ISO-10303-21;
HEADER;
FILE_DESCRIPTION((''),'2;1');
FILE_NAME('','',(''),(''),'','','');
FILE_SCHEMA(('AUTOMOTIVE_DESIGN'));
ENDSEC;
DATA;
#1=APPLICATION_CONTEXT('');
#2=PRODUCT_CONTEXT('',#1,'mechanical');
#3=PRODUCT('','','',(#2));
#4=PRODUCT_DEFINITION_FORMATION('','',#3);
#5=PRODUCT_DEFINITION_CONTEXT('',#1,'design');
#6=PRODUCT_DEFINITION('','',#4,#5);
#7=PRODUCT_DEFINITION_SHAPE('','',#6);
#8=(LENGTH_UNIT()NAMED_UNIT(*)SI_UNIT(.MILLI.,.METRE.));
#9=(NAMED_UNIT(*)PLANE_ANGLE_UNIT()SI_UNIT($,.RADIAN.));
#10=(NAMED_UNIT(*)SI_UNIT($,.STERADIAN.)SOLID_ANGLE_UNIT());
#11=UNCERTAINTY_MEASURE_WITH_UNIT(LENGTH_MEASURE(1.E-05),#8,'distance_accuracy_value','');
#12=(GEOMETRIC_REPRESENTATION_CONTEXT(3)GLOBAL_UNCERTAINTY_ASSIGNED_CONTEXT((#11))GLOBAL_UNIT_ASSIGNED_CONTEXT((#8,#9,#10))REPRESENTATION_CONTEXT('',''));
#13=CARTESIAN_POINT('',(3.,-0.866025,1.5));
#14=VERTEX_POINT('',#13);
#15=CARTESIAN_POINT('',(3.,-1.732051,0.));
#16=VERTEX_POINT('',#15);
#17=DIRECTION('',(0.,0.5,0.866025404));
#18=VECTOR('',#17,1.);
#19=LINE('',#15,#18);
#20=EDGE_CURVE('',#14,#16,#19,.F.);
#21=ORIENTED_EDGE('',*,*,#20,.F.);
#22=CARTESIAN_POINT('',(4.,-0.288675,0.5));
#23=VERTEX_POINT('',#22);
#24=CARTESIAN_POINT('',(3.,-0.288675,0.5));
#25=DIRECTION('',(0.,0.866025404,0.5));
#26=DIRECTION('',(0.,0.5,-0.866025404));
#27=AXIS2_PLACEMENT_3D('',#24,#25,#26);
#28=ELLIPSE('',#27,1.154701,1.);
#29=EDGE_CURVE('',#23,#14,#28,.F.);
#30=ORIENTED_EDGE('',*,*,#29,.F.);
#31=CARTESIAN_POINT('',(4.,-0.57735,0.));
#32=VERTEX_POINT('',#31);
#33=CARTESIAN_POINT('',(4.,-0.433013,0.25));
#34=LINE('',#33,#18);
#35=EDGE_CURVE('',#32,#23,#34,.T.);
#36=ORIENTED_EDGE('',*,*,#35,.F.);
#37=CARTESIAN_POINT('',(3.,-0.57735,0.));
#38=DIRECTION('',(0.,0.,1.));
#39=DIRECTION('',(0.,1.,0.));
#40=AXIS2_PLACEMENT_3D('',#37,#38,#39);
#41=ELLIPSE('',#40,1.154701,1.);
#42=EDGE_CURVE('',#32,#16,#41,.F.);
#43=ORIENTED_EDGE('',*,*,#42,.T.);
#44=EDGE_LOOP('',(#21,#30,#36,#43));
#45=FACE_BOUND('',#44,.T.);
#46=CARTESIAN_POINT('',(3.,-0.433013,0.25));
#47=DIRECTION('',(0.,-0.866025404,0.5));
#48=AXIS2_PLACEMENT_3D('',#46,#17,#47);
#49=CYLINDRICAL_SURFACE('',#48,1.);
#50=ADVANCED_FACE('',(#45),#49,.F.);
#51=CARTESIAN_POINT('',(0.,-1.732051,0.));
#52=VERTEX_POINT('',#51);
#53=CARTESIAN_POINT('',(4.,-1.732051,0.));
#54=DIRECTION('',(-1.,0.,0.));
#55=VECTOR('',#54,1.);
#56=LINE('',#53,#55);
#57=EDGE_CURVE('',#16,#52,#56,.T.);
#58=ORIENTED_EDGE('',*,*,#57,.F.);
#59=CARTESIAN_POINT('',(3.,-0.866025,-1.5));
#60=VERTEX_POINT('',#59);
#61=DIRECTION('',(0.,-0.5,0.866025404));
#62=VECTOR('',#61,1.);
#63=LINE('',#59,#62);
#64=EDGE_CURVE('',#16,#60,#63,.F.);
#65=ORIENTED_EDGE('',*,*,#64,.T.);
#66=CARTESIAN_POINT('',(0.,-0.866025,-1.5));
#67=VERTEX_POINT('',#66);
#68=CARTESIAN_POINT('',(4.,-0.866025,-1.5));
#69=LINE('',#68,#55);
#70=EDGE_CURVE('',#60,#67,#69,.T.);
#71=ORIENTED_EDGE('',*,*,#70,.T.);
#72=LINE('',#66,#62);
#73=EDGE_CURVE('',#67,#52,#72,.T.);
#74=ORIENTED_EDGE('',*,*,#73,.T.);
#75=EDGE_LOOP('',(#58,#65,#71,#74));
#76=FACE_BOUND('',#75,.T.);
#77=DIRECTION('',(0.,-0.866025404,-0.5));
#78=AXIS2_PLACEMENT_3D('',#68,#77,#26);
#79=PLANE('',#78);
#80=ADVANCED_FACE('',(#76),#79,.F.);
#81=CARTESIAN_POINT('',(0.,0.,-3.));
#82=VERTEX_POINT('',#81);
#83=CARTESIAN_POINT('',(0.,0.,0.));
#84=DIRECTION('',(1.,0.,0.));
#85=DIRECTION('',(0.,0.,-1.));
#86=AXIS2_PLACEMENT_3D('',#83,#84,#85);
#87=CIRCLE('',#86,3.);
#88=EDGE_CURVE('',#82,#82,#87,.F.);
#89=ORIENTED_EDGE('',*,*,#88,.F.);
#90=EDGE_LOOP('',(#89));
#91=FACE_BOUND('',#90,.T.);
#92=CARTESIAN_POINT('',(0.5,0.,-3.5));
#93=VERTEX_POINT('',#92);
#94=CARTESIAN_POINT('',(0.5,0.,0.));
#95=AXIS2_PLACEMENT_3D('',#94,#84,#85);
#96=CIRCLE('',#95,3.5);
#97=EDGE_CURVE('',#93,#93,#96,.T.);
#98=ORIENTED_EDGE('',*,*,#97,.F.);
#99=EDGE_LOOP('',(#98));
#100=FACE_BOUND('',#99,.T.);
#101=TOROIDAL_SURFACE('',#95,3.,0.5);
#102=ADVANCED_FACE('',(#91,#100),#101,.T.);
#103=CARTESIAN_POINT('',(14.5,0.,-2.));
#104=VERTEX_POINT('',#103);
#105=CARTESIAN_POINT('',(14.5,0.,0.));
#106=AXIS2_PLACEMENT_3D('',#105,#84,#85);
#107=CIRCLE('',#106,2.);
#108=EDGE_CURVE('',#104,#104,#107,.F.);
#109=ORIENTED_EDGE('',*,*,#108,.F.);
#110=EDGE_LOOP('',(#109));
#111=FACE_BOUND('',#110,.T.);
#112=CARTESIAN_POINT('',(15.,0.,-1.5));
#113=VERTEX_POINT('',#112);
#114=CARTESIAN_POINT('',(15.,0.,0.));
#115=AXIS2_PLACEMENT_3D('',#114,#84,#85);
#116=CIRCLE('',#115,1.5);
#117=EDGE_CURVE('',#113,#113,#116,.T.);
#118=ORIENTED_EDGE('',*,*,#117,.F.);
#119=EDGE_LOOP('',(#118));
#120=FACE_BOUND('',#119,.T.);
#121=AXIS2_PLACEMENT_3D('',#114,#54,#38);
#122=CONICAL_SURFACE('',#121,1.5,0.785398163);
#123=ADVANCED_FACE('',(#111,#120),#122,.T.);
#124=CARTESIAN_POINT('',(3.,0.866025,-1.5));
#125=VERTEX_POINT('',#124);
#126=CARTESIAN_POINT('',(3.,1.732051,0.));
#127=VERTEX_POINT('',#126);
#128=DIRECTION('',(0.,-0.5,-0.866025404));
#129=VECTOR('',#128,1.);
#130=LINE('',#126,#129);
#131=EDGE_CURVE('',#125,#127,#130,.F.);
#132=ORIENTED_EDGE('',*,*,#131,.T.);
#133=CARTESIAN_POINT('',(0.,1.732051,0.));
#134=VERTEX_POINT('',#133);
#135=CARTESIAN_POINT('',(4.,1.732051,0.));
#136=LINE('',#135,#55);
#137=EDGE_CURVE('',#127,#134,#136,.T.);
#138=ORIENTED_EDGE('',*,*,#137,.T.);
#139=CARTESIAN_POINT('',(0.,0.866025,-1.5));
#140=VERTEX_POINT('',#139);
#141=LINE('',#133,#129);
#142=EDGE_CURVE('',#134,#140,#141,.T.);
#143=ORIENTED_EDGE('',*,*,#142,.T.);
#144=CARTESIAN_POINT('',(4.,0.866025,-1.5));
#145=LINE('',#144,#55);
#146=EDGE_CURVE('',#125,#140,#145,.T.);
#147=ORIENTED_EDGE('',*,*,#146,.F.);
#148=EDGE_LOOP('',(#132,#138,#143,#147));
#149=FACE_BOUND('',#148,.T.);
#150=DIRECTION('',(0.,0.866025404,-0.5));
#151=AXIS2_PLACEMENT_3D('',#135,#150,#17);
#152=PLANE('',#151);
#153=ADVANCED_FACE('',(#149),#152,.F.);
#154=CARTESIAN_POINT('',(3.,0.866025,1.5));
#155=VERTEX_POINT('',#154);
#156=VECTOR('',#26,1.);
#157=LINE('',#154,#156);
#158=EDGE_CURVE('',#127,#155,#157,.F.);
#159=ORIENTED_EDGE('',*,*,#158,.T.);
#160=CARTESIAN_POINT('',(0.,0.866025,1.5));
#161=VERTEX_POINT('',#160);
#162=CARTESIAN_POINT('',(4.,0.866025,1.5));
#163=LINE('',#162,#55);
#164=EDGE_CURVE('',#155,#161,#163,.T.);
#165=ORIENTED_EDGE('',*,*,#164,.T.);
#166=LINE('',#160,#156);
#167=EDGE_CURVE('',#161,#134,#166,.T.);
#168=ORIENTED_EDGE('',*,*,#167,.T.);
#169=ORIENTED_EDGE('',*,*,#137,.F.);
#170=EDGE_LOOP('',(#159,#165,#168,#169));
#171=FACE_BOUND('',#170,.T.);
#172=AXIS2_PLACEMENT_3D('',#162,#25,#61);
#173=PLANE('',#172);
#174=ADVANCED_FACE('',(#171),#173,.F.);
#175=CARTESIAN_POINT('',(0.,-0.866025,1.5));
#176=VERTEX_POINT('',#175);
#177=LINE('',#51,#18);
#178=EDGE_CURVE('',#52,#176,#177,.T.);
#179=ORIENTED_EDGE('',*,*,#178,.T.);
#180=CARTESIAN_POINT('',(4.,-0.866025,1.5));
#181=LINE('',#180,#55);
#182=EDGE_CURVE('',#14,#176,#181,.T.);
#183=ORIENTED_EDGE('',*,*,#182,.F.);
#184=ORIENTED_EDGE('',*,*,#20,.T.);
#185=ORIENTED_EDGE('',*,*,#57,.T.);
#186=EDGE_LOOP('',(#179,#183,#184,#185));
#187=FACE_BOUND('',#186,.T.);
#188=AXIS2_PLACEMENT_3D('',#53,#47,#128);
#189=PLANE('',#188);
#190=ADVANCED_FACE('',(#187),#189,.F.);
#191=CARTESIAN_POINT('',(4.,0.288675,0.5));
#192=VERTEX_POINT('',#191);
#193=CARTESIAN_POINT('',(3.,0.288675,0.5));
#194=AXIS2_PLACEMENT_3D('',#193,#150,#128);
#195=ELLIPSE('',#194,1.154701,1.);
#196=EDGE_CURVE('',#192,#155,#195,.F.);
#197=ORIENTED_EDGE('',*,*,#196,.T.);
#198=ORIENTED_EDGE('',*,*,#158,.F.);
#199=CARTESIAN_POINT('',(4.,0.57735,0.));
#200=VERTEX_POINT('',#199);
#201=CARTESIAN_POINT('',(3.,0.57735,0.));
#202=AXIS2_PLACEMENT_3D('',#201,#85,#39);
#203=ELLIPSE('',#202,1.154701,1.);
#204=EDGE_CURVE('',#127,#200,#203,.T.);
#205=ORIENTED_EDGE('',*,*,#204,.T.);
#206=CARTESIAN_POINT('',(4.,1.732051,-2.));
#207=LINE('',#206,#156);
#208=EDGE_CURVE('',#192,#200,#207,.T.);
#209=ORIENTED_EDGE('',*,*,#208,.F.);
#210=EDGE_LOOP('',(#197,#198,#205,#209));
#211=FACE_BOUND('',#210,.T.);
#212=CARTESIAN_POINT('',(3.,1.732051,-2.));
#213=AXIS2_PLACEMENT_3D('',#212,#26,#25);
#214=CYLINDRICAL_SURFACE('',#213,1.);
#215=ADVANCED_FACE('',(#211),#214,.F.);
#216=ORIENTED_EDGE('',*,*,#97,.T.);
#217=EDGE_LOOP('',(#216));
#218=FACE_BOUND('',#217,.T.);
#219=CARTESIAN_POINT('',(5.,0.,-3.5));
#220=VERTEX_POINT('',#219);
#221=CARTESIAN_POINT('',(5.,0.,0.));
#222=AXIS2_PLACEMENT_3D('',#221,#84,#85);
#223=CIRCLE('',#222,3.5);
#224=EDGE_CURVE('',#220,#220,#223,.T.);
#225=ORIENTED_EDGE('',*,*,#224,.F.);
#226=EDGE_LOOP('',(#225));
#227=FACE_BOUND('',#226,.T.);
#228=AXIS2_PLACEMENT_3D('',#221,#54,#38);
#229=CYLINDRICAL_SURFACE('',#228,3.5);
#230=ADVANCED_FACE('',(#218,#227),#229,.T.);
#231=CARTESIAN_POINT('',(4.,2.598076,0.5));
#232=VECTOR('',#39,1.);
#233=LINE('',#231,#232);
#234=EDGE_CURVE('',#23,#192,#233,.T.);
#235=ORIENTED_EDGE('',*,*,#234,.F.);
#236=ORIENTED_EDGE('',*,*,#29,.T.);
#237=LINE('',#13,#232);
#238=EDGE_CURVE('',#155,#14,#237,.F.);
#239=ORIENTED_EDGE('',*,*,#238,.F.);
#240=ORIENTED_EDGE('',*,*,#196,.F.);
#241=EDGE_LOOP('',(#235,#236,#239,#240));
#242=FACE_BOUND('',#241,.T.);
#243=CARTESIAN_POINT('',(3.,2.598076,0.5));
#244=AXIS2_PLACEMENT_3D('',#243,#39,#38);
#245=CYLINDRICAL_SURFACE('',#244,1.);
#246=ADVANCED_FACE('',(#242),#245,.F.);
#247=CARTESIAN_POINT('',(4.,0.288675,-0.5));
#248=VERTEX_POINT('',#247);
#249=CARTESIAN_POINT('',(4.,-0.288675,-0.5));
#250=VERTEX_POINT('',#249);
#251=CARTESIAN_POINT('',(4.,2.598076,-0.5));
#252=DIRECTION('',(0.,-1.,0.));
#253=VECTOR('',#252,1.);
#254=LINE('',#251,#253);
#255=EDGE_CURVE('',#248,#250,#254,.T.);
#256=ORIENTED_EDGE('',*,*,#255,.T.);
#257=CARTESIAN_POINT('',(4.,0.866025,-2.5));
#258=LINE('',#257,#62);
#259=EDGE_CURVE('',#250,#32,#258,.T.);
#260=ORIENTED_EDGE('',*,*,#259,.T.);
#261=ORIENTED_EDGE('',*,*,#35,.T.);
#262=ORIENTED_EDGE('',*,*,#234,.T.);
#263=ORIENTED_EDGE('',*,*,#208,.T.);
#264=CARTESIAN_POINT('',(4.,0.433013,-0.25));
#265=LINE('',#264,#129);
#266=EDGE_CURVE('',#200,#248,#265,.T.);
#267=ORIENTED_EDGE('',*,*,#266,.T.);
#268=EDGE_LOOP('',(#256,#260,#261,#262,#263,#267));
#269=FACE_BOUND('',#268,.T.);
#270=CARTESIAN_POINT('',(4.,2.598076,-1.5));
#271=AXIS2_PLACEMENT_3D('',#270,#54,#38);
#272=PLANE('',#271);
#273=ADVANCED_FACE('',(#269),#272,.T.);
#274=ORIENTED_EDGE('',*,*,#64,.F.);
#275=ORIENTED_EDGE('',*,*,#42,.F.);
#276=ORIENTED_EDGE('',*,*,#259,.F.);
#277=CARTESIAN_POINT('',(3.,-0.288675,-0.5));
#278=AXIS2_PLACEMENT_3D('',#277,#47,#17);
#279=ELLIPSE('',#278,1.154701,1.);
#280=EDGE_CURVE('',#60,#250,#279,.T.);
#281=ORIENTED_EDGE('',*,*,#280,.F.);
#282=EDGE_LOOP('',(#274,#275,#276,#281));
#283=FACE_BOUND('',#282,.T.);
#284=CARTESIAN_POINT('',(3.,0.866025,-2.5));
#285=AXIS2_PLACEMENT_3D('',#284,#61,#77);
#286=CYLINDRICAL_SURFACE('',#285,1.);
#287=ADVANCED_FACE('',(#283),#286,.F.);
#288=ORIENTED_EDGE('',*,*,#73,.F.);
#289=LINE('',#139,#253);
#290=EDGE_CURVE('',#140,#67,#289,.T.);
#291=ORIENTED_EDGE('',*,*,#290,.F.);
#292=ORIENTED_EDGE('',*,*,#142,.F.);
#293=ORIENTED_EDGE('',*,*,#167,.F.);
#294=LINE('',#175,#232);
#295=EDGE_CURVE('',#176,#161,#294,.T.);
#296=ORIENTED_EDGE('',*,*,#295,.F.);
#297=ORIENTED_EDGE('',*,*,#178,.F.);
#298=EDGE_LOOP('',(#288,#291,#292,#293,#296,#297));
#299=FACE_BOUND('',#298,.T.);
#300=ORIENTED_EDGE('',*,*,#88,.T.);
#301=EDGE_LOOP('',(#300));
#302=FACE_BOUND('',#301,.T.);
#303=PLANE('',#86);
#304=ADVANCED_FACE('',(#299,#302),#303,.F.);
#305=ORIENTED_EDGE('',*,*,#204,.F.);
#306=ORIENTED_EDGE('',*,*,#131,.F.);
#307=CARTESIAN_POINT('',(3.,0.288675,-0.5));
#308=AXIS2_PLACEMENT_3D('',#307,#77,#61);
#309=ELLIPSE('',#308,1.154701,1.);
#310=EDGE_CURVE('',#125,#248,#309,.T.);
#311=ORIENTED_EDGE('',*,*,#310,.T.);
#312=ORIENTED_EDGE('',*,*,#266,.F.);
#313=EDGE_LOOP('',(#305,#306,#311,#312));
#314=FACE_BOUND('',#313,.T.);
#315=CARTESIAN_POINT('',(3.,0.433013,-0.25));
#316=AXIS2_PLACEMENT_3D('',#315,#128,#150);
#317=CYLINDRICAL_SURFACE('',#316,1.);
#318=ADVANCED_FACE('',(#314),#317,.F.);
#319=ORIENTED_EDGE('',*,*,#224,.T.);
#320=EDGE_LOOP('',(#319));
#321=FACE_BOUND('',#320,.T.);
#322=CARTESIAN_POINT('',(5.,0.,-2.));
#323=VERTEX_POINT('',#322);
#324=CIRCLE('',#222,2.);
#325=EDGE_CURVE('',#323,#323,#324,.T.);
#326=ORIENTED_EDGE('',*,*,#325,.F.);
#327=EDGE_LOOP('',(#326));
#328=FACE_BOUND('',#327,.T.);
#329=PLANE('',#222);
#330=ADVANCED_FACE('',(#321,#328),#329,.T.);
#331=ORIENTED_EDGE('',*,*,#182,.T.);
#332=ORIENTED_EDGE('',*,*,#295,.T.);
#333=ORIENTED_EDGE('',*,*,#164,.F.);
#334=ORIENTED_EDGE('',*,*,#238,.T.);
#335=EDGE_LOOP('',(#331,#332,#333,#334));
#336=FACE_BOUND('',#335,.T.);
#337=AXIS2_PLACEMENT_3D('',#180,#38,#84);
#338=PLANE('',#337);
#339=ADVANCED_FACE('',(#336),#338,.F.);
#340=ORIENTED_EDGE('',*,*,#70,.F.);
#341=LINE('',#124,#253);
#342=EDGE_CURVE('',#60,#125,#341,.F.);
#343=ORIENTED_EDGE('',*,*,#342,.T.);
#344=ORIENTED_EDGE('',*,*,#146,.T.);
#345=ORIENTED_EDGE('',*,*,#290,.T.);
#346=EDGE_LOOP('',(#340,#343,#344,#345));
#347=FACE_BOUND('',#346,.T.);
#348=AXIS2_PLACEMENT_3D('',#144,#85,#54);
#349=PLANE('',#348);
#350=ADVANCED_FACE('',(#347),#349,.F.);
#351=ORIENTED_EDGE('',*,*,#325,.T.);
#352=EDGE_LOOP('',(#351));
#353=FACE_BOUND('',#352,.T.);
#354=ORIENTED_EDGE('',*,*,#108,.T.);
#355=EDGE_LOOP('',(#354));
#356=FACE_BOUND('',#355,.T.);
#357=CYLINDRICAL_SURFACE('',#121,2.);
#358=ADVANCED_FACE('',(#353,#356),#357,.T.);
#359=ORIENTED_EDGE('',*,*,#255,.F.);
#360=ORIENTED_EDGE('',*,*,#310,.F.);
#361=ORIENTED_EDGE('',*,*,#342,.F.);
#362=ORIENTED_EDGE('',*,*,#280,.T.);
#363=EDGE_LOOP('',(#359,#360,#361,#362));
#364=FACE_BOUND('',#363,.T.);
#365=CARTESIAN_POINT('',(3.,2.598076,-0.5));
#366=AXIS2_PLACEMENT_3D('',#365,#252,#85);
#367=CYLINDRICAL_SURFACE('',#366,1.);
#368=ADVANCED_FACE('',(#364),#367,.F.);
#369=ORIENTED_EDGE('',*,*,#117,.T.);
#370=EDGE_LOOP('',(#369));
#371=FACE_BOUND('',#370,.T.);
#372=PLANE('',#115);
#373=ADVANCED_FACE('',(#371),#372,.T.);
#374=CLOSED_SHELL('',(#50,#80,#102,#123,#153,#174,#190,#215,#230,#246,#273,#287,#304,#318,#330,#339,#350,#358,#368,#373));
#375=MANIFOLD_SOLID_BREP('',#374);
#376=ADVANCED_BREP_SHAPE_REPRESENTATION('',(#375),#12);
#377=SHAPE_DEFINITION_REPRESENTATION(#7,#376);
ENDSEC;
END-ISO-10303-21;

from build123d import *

# Parameters (mm, degrees)
SKETCH_1_R          = 3.5
EXTRUDE_1_DEPTH     = 5
SKETCH_2_R          = 2
EXTRUDE_2_DEPTH     = 10
CHAMFER_1_SIZE      = 0.5
CUT_EXTRUDE_1_DEPTH = 4
FILLET_1_R          = 1
FILLET_2_R          = 0.5


with BuildPart() as part:
    # Эскиз1 → Вытянуть1 (new body)
    with BuildSketch(Plane(origin=(0, 0, 0), x_dir=(0, 0, -1), z_dir=(1, 0, 0))):
        Circle(SKETCH_1_R)
    extrude(amount=EXTRUDE_1_DEPTH)

    # Эскиз2 → Вытянуть2 (add)
    with BuildSketch(Plane(origin=(5, 0, 0), x_dir=(0, 0, -1), z_dir=(1, 0, 0))):
        Circle(SKETCH_2_R)
    extrude(amount=EXTRUDE_2_DEPTH)

    # Фаска1
    chamfer_1_edges = [part.edges().sort_by_distance(p)[0] for p in [
        (15, 0, 2),
    ]]
    chamfer(chamfer_1_edges, length=CHAMFER_1_SIZE)

    # Эскиз3 → Вырез-Вытянуть1 (cut)
    with BuildSketch(Plane.ZY):
        Polygon((0, 1.732050808), (-1.5, 0.866025404), (-1.5, -0.866025404), (0, -1.732050808), (1.5, -0.866025404), (1.5, 0.866025404), align=None)
    extrude(amount=-CUT_EXTRUDE_1_DEPTH, mode=Mode.SUBTRACT)

    # Скругление1
    fillet_1_edges = [part.edges().sort_by_distance(p)[0] for p in [
        (4, 1.299038106, 0.75),
        (4, 0, 1.5),
        (4, -1.299038106, 0.75),
        (4, -1.299038106, -0.75),
        (4, 0, -1.5),
        (4, 1.299038106, -0.75),
    ]]
    fillet(fillet_1_edges, radius=FILLET_1_R)

    # Скругление2
    fillet_2_edges = [part.edges().sort_by_distance(p)[0] for p in [
        (0, 0, 3.5),
    ]]
    fillet(fillet_2_edges, radius=FILLET_2_R)


solid = part.part
